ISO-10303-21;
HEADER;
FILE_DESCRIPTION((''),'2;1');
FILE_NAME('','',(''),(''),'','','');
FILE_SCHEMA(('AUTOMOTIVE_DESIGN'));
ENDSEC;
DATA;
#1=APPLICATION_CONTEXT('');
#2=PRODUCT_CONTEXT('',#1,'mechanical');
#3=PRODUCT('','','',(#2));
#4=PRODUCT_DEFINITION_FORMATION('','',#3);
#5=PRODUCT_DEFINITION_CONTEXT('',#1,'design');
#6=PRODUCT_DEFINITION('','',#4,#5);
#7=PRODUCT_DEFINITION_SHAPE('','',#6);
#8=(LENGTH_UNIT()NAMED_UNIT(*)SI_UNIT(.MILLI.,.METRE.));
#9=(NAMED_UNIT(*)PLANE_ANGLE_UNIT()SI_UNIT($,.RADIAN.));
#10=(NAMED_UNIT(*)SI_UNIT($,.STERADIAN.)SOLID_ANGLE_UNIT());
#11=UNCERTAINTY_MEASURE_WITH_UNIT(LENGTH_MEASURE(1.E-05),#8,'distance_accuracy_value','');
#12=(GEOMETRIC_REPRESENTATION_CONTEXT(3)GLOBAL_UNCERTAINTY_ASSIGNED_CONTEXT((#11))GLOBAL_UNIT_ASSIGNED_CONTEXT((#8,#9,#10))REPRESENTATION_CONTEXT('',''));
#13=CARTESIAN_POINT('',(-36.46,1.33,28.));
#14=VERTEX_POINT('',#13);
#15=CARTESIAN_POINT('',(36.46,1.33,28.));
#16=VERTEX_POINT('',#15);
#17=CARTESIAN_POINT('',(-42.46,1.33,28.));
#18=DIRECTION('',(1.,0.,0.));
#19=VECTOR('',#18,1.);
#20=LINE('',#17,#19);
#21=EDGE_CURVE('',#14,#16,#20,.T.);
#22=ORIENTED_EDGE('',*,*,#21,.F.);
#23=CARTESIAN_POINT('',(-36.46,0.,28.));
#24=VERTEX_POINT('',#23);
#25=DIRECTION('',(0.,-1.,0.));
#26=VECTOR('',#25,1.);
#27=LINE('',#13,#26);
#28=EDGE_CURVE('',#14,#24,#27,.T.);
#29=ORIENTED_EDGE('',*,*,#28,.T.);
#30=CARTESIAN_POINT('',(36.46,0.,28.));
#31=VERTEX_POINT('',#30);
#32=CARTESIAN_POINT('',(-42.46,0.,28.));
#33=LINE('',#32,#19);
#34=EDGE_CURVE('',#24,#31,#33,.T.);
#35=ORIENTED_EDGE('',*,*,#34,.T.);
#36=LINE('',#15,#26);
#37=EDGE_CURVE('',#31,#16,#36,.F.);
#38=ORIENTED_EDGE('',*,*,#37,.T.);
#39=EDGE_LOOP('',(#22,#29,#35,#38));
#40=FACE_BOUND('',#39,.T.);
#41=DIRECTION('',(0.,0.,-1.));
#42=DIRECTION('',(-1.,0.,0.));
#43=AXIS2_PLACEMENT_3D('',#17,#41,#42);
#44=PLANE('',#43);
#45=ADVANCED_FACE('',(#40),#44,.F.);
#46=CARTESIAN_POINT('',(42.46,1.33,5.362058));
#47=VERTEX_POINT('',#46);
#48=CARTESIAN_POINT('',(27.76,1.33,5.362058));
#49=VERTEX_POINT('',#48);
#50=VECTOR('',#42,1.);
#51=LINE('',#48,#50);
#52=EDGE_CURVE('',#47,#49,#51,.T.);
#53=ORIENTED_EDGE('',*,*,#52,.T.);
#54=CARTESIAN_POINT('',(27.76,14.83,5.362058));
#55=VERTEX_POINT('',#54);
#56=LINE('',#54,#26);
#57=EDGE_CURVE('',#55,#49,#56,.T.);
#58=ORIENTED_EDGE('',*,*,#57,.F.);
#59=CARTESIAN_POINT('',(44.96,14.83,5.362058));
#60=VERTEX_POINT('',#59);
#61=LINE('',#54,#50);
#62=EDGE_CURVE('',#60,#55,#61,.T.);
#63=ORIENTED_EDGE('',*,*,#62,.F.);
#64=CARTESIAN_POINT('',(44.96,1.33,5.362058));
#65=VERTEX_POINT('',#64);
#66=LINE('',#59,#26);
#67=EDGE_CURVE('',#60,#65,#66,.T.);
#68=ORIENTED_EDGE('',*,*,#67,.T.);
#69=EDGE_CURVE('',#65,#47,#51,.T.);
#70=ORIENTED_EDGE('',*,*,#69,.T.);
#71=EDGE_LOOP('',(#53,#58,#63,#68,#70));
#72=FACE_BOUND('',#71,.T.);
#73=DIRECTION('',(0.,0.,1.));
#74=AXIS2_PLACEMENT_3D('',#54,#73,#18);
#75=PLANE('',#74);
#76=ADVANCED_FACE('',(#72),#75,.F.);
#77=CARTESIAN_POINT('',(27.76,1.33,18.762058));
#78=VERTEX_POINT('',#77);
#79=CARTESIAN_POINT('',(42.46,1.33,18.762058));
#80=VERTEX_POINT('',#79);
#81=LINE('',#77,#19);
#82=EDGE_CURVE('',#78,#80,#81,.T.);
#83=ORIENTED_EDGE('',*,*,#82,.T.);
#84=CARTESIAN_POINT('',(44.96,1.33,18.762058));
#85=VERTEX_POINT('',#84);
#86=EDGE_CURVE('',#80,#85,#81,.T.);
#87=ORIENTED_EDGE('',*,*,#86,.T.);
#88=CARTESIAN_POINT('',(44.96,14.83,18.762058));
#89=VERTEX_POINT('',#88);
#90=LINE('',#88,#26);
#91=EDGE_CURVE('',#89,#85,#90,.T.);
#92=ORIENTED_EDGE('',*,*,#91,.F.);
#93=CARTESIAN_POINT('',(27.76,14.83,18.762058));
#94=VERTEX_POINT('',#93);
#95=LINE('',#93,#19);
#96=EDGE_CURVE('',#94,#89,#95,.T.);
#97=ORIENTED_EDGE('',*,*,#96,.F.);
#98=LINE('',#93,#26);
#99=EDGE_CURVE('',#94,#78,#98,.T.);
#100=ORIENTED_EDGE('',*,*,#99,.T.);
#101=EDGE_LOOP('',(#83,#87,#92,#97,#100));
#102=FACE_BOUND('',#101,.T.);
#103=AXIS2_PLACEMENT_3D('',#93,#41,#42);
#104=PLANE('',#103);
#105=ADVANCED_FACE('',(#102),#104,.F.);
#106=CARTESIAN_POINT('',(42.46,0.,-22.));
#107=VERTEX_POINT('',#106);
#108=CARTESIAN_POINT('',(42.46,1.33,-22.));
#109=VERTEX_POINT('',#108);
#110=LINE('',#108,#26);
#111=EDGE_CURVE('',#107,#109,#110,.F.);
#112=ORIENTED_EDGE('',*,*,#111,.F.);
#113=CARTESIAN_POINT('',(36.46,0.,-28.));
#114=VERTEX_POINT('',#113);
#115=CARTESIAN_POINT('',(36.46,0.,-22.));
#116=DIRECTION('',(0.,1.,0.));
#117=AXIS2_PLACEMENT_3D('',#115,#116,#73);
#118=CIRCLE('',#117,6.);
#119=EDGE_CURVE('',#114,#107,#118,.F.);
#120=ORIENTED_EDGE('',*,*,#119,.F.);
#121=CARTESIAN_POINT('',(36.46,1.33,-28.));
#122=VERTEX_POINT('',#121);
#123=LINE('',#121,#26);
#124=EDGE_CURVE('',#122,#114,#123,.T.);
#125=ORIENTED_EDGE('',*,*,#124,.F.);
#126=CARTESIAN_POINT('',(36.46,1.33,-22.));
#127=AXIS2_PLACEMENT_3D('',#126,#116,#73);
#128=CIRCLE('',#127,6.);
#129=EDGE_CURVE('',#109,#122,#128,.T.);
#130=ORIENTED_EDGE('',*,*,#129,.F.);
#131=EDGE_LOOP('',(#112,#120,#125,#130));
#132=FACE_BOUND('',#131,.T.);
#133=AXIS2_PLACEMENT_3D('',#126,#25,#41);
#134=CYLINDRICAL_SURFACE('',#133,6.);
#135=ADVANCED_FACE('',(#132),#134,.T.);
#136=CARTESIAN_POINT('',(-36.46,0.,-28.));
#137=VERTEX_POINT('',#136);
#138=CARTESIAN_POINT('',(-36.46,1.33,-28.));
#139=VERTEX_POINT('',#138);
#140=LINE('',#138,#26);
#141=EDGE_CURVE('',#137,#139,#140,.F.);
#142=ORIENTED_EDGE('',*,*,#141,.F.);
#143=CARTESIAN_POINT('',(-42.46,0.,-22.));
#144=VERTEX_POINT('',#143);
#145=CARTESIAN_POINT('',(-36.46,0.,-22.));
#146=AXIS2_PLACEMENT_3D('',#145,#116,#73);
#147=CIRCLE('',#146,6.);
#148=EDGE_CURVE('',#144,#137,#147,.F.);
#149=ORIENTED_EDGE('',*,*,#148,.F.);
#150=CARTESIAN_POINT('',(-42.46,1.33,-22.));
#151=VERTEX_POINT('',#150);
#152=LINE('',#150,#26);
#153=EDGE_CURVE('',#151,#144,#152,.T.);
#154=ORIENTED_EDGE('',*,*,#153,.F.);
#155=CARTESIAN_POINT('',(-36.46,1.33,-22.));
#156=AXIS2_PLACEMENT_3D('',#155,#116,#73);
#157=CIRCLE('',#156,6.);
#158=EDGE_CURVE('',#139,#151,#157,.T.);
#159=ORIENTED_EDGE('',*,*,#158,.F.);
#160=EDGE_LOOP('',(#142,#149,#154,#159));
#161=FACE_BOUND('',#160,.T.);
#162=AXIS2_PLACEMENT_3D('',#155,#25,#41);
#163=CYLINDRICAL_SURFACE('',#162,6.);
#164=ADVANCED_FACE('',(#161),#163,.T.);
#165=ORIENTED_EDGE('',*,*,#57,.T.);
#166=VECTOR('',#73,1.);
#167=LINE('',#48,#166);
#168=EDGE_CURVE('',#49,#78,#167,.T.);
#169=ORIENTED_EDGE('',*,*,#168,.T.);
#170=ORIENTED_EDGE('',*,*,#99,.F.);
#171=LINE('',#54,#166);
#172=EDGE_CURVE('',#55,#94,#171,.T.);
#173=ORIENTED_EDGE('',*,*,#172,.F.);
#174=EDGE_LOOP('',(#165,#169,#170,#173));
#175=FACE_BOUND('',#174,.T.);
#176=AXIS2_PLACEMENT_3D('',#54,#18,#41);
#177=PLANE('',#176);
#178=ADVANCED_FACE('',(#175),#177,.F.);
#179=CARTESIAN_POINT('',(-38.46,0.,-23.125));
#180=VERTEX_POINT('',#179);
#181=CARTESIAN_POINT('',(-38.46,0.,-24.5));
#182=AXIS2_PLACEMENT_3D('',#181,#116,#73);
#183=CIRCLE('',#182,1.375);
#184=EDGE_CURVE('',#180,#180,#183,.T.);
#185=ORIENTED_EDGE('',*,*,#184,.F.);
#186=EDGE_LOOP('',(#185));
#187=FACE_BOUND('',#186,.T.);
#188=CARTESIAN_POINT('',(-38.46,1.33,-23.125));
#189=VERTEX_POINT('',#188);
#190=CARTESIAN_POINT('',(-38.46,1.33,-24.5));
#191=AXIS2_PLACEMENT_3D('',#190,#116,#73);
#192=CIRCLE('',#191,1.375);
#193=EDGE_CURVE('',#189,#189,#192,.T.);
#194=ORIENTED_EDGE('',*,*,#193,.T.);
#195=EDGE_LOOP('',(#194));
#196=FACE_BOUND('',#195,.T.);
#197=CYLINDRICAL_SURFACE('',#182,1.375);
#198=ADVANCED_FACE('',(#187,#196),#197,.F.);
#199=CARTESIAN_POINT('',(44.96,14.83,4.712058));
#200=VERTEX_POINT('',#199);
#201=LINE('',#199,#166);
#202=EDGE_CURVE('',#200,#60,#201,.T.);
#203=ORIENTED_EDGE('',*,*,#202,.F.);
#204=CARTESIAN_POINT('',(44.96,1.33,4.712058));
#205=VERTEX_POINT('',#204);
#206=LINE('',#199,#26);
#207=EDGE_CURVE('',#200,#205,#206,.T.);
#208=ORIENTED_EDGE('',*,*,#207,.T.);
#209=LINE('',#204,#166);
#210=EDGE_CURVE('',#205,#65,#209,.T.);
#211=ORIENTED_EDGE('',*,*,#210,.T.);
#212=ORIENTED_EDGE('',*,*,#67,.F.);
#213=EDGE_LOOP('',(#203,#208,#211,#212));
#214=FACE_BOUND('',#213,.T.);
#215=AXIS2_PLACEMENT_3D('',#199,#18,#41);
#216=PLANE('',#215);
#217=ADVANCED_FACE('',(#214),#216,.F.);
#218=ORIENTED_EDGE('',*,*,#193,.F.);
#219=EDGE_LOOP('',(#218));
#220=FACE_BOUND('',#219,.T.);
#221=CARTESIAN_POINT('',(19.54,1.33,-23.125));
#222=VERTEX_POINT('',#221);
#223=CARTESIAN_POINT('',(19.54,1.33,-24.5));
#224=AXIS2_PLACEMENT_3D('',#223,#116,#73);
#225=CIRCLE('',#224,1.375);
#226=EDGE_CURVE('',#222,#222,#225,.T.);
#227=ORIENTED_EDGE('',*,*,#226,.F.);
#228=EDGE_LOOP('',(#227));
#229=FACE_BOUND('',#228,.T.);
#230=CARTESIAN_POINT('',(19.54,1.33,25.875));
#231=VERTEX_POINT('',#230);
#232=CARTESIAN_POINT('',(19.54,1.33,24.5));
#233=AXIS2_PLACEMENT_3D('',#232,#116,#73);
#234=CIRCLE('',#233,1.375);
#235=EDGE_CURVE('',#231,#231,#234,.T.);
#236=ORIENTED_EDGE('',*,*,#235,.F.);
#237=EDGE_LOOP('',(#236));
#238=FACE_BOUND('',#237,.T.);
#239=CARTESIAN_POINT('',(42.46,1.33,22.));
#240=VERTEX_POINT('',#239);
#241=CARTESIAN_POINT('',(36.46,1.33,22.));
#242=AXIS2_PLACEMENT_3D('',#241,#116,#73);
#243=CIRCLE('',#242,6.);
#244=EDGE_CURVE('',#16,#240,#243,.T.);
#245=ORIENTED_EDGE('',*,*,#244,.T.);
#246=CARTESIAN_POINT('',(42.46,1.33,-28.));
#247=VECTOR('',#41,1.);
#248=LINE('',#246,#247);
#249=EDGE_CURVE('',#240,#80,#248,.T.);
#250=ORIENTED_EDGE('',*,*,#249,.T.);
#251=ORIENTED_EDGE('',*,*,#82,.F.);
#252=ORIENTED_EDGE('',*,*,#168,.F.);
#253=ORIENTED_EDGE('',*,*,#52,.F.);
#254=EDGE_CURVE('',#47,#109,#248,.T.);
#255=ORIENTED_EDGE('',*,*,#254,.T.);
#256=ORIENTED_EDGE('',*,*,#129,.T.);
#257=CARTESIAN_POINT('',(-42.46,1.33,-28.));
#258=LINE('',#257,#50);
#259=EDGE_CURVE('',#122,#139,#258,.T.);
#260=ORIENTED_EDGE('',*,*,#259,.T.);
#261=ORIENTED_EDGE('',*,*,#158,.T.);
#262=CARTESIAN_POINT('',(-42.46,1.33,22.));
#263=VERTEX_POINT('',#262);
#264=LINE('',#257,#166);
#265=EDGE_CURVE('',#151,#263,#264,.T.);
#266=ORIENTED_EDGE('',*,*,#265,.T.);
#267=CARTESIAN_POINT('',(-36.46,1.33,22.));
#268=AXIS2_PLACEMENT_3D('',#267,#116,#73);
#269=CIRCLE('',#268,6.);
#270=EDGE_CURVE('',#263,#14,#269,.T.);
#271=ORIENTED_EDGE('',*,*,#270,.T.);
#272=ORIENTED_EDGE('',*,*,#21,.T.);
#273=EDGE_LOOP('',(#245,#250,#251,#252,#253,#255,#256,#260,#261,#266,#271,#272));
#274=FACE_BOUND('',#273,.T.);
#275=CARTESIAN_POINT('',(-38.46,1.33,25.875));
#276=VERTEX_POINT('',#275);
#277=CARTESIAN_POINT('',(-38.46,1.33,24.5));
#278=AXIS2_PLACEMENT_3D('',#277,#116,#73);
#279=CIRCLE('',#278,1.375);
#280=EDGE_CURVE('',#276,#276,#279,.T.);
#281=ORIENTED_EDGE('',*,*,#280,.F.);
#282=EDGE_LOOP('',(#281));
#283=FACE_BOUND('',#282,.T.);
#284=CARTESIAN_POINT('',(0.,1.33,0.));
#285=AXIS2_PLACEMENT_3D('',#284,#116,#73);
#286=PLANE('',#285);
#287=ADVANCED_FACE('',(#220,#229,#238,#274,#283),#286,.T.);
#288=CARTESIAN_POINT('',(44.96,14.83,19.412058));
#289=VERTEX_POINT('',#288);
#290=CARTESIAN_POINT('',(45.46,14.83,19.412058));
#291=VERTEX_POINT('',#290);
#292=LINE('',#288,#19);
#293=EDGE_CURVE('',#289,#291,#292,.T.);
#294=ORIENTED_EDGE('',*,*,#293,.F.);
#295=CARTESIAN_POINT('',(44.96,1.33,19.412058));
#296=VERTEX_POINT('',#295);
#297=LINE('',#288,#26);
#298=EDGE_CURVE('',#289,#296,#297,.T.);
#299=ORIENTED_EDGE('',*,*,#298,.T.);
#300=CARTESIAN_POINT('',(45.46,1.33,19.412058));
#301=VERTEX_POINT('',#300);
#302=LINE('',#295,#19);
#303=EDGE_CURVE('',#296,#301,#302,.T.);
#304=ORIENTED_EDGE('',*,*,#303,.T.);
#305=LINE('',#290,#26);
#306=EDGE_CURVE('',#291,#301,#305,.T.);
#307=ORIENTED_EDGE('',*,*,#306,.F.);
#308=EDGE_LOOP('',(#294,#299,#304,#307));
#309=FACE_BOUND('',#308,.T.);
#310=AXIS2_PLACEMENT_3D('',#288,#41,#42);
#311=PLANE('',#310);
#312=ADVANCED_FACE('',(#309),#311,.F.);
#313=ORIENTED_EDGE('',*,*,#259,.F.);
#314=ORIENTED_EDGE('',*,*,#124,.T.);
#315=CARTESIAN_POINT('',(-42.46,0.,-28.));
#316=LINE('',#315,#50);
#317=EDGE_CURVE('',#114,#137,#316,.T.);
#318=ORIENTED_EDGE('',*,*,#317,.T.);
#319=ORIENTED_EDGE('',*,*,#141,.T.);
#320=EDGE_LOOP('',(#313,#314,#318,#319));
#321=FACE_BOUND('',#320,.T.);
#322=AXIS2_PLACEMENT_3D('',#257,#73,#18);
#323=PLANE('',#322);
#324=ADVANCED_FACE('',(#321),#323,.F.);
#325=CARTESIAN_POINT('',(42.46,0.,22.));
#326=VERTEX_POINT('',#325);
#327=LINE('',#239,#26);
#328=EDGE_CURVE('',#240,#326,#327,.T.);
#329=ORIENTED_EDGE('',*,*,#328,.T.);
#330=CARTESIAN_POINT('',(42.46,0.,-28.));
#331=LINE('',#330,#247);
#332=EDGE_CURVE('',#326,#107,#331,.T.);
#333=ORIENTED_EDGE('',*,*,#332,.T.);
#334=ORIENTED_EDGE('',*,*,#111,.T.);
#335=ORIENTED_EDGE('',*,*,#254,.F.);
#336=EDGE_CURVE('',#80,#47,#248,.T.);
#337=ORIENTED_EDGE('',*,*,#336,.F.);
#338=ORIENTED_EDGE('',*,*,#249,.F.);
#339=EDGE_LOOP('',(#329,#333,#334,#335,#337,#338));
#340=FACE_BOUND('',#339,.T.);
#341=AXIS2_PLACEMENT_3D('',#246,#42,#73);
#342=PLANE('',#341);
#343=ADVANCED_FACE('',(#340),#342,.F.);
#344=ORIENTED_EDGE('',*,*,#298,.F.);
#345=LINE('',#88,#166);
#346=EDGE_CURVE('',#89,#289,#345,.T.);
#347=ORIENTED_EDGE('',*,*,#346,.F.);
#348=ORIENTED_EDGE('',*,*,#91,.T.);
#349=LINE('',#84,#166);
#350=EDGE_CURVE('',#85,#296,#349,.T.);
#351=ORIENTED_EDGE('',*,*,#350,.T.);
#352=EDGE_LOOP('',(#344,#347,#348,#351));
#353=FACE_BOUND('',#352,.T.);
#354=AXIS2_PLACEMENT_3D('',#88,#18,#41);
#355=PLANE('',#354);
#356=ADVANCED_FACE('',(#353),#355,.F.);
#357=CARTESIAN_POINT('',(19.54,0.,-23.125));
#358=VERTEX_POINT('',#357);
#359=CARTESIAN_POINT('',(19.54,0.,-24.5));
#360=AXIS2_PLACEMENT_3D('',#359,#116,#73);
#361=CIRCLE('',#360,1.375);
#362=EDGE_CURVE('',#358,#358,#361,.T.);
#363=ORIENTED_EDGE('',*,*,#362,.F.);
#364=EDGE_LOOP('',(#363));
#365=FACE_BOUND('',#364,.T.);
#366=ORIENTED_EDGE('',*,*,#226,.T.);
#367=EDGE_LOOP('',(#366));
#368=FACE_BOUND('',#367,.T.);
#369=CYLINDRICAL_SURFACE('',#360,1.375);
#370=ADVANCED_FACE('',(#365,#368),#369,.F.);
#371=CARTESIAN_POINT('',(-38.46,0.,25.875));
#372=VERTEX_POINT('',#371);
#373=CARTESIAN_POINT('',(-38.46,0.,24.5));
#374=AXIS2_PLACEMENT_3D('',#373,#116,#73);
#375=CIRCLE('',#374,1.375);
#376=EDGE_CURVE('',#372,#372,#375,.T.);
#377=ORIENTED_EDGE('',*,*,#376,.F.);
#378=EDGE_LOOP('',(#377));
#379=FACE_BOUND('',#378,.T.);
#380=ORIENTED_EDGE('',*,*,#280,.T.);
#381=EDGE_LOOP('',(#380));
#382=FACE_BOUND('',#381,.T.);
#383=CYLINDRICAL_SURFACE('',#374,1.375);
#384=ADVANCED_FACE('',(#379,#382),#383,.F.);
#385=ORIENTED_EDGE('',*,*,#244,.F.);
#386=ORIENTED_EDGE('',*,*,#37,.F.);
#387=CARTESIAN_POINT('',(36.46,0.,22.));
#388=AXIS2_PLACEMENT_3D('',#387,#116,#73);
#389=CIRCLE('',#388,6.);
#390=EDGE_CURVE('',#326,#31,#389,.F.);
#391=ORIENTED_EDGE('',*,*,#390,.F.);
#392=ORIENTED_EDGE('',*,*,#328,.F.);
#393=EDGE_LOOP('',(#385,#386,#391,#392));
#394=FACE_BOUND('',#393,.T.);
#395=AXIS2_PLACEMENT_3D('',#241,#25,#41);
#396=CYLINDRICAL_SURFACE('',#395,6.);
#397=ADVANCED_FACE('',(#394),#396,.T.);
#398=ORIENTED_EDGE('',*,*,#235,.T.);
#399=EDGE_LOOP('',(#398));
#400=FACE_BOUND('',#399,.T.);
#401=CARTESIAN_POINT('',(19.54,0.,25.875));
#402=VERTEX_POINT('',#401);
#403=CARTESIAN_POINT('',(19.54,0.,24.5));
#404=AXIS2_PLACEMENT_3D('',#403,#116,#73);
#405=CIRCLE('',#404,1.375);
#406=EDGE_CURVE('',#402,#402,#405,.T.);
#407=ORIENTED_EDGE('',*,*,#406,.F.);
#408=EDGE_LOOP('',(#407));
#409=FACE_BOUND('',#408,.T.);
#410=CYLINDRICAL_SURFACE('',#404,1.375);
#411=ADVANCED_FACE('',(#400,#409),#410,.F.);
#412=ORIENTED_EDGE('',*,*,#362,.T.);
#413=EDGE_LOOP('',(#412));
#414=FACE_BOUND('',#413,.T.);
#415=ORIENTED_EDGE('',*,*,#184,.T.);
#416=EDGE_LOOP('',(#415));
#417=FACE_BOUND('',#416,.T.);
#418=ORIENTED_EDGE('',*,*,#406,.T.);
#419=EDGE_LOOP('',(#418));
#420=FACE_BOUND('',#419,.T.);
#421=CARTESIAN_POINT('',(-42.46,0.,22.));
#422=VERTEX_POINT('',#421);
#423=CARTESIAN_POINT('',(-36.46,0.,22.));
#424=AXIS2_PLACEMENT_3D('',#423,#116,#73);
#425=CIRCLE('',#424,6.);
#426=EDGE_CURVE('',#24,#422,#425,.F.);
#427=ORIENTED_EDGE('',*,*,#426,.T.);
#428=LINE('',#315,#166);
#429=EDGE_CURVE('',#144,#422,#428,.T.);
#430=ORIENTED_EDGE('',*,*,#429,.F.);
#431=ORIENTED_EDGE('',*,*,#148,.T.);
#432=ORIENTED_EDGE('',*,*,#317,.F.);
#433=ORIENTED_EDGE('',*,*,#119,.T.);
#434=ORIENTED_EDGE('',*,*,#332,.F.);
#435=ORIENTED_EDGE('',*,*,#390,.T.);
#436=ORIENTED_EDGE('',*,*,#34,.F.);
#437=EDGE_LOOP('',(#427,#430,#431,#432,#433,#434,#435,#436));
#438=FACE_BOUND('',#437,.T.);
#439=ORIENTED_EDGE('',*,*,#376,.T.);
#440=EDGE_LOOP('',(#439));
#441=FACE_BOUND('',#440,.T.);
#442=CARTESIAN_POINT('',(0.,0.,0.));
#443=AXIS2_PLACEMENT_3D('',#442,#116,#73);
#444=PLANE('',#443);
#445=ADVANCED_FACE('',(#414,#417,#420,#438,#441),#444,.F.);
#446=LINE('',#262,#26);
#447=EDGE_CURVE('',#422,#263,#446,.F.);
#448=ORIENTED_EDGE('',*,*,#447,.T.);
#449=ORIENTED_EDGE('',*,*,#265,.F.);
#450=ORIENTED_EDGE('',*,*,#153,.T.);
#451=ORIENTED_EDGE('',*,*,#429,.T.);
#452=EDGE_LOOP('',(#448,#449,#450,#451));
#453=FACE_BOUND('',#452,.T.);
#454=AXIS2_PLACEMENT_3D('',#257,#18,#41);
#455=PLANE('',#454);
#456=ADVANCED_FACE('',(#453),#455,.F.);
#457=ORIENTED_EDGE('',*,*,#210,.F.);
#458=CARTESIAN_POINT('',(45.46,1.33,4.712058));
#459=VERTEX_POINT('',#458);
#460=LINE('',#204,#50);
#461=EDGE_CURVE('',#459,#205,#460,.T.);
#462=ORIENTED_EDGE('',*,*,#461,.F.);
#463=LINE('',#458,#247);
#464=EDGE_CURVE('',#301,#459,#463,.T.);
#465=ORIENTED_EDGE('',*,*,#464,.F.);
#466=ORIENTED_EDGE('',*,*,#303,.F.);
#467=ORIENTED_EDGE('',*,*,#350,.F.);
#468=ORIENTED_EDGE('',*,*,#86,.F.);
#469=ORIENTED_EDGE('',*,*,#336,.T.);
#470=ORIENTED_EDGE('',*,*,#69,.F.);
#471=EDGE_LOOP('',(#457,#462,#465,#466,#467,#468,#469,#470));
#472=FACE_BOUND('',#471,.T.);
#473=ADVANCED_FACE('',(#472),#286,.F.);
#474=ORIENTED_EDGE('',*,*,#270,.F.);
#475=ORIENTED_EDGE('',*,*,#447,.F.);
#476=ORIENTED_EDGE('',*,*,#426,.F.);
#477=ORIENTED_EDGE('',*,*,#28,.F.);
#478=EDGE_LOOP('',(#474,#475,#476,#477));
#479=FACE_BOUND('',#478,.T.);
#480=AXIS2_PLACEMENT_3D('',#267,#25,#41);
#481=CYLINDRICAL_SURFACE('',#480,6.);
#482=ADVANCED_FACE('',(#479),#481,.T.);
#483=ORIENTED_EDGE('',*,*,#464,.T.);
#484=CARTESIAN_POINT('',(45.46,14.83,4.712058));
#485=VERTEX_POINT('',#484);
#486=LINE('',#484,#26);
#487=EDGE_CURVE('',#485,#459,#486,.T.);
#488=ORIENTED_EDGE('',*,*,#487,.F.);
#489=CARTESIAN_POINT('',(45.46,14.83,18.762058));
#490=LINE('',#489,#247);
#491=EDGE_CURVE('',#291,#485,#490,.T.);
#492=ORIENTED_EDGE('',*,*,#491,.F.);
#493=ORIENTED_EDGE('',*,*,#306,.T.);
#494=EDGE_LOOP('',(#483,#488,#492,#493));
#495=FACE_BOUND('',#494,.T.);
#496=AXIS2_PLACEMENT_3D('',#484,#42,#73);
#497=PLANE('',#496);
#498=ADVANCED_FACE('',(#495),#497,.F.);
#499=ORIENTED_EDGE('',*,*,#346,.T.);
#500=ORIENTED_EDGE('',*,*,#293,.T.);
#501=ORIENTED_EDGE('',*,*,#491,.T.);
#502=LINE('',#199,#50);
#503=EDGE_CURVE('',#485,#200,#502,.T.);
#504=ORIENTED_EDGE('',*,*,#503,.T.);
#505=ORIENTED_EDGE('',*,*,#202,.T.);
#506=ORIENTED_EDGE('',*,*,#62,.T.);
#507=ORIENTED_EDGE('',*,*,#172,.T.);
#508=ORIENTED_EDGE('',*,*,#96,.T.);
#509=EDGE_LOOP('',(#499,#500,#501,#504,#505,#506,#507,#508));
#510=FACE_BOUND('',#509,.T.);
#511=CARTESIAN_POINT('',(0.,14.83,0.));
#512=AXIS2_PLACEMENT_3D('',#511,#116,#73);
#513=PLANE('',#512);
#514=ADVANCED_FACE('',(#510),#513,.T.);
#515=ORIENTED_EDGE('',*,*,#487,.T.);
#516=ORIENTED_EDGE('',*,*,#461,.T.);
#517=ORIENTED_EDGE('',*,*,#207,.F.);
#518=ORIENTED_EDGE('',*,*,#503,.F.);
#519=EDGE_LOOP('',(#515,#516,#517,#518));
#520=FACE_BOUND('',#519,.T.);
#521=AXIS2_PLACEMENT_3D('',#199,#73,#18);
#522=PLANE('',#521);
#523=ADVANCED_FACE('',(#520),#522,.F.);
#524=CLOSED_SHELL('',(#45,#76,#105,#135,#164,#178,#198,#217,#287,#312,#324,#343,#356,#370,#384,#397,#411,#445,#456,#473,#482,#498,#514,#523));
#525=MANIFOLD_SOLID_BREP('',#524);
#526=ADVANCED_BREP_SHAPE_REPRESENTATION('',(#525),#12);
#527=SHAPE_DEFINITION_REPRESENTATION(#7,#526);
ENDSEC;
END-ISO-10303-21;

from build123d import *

# Parameters (mm, degrees)
CROQUIS1_W              = 84.92
CROQUIS1_H              = 56
SALIENTE_EXTRUIR1_DEPTH = 1.33
REDONDEO1_R             = 6
CROQUIS2_R              = 1.375
CORTAR_EXTRUIR1_DEPTH   = 1.33
SALIENTE_EXTRUIR2_DEPTH = 13.5


with BuildPart() as part:
    # Croquis1 → Saliente-Extruir1 (new body)
    with BuildSketch(Plane(origin=(0, 0, 0), x_dir=(1, 0, 0), z_dir=(0, 1, 0))):
        Rectangle(CROQUIS1_W, CROQUIS1_H)
    extrude(amount=SALIENTE_EXTRUIR1_DEPTH)

    # Redondeo1
    redondeo1_edges = [part.edges().sort_by_distance(p)[0] for p in [
        (42.46, 0.665, 28),
        (-42.46, 0.665, 28),
        (-42.46, 0.665, -28),
        (42.46, 0.665, -28),
    ]]
    fillet(redondeo1_edges, radius=REDONDEO1_R)

    # Croquis2 → Cortar-Extruir1 (cut)
    with BuildSketch(Plane(origin=(0, 1.33, 0), x_dir=(1, 0, 0), z_dir=(0, 1, 0))):
        with Locations((-38.46, 24.5)):
            Circle(CROQUIS2_R)
        with Locations((-38.46, -24.5)):
            Circle(CROQUIS2_R)
        with Locations((19.54, -24.5)):
            Circle(CROQUIS2_R)
        with Locations((19.54, 24.5)):
            Circle(CROQUIS2_R)
    extrude(amount=-CORTAR_EXTRUIR1_DEPTH, mode=Mode.SUBTRACT)

    # Croquis3 → Saliente-Extruir2 (add)
    with BuildSketch(Plane(origin=(0, 1.33, 0), x_dir=(1, 0, 0), z_dir=(0, 1, 0))):
        Polygon((45.46, -18.762058392), (45.46, -19.412058392), (44.96, -19.412058392), (44.96, -18.762058392), (27.76, -18.762058392), (27.76, -5.362058392), (44.96, -5.362058392), (44.96, -4.712058392), (45.46, -4.712058392), (45.46, -5.362058392), align=None)
    extrude(amount=SALIENTE_EXTRUIR2_DEPTH)


solid = part.part
